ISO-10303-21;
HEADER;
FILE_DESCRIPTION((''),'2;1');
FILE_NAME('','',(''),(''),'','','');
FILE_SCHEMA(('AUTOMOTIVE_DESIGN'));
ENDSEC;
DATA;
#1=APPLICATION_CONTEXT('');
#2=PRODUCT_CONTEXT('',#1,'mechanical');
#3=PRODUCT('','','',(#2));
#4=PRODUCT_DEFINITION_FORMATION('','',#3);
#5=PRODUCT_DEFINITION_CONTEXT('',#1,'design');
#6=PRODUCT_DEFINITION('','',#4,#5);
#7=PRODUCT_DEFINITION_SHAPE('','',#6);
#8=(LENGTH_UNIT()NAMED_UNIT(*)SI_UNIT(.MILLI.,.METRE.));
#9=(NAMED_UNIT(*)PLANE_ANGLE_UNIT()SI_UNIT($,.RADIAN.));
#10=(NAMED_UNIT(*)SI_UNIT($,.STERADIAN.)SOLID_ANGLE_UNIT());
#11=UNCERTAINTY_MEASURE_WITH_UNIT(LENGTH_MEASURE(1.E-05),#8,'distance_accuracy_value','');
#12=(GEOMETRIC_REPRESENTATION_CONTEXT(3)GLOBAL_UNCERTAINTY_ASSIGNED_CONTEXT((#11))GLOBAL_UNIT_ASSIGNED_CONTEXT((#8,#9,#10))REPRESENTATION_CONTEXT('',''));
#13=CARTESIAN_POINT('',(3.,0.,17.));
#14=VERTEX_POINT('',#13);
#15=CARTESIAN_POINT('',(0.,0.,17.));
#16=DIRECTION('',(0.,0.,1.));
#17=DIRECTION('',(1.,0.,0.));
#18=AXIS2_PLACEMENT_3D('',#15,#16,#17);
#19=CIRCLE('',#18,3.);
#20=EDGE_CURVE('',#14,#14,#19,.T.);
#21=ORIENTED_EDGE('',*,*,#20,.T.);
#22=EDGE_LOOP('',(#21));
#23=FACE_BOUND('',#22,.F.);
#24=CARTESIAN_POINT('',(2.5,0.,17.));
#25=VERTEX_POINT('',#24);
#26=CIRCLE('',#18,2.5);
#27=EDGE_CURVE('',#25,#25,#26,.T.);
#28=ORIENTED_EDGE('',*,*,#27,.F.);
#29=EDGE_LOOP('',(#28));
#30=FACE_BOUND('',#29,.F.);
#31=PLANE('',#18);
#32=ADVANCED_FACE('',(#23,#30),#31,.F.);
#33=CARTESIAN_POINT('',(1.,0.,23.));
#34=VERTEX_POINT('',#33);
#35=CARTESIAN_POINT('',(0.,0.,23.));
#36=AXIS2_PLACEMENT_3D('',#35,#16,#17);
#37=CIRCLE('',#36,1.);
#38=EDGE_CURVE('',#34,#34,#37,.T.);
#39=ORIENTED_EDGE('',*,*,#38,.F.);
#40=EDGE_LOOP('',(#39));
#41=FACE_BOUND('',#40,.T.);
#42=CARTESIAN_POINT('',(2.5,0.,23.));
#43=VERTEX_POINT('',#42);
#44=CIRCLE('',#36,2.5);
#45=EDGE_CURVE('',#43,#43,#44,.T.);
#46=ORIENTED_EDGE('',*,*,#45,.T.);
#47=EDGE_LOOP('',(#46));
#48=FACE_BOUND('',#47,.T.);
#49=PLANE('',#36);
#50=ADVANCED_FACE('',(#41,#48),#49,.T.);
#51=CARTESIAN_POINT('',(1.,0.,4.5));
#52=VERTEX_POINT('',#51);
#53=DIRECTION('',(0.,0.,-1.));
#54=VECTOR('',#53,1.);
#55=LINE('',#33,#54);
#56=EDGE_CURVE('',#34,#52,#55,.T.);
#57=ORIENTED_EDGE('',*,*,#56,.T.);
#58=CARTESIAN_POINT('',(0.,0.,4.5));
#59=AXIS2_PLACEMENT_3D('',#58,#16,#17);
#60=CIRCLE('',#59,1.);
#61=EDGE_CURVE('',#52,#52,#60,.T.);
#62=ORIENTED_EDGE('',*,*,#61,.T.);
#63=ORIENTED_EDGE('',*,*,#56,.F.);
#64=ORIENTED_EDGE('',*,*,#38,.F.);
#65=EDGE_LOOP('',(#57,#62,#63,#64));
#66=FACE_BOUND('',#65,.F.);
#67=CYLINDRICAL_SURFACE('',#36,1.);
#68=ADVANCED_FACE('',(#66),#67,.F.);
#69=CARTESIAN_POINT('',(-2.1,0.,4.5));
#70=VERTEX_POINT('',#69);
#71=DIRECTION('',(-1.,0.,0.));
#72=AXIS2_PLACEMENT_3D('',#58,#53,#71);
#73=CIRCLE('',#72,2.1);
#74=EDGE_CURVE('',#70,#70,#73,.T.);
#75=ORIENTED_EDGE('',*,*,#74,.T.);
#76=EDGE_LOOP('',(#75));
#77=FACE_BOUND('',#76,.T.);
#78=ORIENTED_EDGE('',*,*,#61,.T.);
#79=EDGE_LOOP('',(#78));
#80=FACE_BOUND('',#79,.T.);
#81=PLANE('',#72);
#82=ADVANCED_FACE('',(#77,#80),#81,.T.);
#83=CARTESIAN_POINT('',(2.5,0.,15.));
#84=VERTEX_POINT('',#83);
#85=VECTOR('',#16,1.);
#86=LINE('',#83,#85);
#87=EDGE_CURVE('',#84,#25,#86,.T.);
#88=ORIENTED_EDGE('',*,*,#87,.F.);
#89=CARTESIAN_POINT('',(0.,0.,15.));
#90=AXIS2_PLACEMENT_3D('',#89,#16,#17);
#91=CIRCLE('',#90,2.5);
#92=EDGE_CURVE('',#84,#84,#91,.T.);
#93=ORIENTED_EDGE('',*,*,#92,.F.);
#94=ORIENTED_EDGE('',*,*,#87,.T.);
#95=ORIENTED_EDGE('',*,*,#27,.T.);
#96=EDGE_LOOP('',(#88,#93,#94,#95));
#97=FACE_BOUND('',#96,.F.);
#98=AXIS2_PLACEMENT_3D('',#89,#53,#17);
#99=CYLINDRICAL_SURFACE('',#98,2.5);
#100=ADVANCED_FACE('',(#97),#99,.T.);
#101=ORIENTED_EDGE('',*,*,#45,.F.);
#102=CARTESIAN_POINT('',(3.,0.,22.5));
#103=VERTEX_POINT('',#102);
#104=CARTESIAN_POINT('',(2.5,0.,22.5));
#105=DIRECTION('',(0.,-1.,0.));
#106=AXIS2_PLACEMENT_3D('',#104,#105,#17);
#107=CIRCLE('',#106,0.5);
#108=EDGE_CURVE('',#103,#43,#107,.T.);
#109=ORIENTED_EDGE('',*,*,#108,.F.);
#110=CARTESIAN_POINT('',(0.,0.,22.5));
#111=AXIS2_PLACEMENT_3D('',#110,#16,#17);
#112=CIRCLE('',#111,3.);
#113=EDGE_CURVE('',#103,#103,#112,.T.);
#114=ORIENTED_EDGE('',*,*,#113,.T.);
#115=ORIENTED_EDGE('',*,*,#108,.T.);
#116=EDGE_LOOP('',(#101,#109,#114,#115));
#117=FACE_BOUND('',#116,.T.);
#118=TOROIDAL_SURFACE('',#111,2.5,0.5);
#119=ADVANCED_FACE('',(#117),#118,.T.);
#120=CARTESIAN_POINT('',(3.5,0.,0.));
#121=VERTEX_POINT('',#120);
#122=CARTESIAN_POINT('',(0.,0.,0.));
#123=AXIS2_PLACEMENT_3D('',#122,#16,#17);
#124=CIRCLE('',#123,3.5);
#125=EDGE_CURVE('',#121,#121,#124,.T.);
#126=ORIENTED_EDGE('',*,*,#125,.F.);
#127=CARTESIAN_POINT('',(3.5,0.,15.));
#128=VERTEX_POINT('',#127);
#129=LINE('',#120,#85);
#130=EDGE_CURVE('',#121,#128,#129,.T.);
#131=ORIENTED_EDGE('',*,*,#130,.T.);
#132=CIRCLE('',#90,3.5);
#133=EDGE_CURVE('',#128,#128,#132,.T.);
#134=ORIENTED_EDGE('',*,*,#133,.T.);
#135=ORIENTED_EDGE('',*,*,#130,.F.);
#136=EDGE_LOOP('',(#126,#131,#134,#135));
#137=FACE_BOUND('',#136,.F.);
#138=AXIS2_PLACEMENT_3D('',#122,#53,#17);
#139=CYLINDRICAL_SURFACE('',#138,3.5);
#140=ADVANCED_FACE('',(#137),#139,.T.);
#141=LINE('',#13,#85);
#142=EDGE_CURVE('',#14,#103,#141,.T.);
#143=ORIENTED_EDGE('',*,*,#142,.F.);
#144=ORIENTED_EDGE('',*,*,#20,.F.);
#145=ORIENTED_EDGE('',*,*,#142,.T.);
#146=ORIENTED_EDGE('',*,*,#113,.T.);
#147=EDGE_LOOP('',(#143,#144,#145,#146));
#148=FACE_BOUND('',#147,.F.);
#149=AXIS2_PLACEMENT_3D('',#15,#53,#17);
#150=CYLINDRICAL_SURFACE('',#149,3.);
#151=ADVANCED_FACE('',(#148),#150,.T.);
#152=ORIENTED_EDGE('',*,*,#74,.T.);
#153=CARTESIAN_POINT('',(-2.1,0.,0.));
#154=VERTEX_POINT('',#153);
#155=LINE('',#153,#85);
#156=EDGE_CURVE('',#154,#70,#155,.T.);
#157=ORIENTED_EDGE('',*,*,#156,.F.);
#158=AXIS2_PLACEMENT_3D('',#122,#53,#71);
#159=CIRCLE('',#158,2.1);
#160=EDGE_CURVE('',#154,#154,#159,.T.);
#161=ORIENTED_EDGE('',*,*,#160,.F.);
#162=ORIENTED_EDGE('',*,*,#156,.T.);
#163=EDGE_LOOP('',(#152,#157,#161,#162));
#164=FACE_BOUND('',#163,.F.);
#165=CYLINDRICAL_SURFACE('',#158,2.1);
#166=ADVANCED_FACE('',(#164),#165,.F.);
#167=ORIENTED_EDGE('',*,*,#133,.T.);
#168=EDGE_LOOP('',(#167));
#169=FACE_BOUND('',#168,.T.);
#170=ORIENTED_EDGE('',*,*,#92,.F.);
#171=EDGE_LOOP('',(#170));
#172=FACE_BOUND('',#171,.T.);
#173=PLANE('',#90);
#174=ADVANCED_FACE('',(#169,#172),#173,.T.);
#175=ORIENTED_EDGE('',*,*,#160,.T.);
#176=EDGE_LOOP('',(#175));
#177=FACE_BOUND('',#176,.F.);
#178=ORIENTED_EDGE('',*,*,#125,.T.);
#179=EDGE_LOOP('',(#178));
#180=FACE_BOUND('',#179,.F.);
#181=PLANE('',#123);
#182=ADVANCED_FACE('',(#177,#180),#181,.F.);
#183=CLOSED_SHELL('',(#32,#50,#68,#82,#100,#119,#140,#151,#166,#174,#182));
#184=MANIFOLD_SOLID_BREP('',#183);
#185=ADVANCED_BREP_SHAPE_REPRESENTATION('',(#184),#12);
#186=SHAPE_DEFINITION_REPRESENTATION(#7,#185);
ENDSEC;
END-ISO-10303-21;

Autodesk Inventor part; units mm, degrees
ref_plane "YZ Plane" through (0, 0, 0) normal (1, 0, 0) x (0, 1, 0)
ref_plane "XZ Plane" through (0, 0, 0) normal (0, 1, 0) x (-1, 0, 0)
ref_plane "XY Plane" through (0, 0, 0) normal (0, 0, 1) x (1, 0, 0)
sketch "Sketch1" plane through (0, 0, 0) normal (0, 0, 1) x (1, 0, 0)
  circle A0 centre (0, 0) radius 3.5
  dimension "d0" = 7
extrude "Extrusion1" add sketch "Sketch1" along normal blind 15
sketch "Sketch2" plane through (0, 0, 15) normal (0, 0, 1) x (1, 0, 0)
  circle A0 centre (0, 0) radius 2.5
  dimension "d3" = 5
extrude "Extrusion2" add sketch "Sketch2" along normal blind 2
sketch "Sketch3" plane through (0, 0, 17) normal (0, 0, 1) x (1, 0, 0)
  circle A0 centre (0, 0) radius 3
  dimension "d6" = 6
extrude "Extrusion3" add sketch "Sketch3" along normal blind 6
sketch "Sketch4" plane through (0, 0, 23) normal (0, 0, 1) x (1, 0, 0)
  circle A0 centre (0, 0) radius 1
  dimension "d9" = 2
extrude "Extrusion4" cut sketch "Sketch4" against normal through all
thread "Thread1" size "M6x1" class "6g" standard "ANSI Metric M Profile" full length
fillet "Fillet1" radius 0.5 1 edges at (-3, 0, 23)
sketch "Sketch5" plane through (0, 0, 0) normal (0, 0, -1) x (-1, 0, 0)
  circle A0 centre (0, 0) radius 2.1
  dimension "d15" = 4.2
extrude "Extrusion5" cut sketch "Sketch5" against normal blind 4.5
properties part number "nozzle throat" material "Stainless Steel"
